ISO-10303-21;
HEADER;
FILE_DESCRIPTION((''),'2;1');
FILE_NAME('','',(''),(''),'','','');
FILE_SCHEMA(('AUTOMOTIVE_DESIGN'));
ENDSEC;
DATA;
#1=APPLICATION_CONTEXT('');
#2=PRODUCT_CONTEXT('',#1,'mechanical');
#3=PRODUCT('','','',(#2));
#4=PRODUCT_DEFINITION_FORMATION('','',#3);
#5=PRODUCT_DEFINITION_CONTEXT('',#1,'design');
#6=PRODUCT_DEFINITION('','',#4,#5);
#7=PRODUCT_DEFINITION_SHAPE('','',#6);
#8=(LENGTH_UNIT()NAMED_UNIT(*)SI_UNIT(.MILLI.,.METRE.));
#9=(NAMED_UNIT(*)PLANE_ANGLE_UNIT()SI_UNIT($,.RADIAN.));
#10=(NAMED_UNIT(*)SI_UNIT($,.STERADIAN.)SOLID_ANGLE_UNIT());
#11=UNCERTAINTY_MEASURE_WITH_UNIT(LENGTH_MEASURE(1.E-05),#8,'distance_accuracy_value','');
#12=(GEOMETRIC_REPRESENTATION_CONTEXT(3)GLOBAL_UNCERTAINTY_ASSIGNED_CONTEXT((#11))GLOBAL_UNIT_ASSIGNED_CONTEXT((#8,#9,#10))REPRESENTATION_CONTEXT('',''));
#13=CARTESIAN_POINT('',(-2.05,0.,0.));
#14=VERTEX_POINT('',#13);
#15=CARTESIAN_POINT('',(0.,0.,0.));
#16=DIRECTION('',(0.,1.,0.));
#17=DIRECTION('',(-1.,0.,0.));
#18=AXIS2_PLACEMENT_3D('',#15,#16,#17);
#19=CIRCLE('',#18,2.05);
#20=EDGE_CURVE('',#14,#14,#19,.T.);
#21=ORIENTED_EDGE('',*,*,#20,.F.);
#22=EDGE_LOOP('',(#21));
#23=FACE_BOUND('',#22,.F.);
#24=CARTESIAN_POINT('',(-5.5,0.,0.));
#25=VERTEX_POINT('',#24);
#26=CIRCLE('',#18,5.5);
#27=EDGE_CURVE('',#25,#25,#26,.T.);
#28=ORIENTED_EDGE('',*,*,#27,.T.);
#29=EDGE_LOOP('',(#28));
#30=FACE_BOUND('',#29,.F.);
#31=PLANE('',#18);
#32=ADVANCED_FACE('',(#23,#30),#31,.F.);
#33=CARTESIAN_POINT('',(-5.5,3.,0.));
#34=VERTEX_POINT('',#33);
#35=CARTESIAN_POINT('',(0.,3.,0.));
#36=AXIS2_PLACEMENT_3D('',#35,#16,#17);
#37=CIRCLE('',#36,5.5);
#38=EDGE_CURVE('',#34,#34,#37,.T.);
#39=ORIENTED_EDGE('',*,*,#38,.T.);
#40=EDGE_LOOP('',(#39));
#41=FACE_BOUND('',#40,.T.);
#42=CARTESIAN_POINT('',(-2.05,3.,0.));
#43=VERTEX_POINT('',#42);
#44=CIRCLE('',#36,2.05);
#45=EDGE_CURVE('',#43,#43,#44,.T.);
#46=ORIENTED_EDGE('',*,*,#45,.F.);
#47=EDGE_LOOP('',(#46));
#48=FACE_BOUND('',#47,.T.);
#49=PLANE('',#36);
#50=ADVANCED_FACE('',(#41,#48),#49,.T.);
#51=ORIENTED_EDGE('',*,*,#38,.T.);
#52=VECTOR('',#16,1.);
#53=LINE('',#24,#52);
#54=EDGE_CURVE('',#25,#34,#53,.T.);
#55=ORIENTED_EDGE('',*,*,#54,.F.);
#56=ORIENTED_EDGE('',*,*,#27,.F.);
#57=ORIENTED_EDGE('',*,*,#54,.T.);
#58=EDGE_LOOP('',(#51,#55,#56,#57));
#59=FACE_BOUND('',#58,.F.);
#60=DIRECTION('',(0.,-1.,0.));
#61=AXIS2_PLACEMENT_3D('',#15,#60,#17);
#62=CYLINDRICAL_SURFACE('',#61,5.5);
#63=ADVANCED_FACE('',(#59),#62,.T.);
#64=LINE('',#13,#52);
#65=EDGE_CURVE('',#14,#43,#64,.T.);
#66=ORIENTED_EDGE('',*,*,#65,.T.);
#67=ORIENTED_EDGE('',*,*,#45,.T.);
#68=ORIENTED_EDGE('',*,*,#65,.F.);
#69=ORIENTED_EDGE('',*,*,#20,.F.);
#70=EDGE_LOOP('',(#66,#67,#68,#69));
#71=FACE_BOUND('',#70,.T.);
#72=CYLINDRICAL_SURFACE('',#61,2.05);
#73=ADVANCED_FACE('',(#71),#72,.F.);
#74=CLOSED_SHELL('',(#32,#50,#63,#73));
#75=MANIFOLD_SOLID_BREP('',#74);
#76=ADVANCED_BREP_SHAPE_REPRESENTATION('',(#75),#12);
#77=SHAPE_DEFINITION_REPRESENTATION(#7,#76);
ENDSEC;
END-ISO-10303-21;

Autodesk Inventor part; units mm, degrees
ref_plane "YZ Plane" through (0, 0, 0) normal (1, 0, 0) x (0, 1, 0)
ref_plane "XZ Plane" through (0, 0, 0) normal (0, 1, 0) x (-1, 0, 0)
ref_plane "XY Plane" through (0, 0, 0) normal (0, 0, 1) x (1, 0, 0)
sketch "Sketch1" plane through (0, 0, 0) normal (0, 1, 0) x (-1, 0, 0)
  circle A0 centre (0, 0) radius 5.5
  circle A1 centre (0, 0) radius 2.05
  dimension "d0" = 11
  dimension "d1" = 4.1
extrude "Extrusion1" add sketch "Sketch1" along normal blind 3
properties part number "500-179" material "ABS Plastic"
